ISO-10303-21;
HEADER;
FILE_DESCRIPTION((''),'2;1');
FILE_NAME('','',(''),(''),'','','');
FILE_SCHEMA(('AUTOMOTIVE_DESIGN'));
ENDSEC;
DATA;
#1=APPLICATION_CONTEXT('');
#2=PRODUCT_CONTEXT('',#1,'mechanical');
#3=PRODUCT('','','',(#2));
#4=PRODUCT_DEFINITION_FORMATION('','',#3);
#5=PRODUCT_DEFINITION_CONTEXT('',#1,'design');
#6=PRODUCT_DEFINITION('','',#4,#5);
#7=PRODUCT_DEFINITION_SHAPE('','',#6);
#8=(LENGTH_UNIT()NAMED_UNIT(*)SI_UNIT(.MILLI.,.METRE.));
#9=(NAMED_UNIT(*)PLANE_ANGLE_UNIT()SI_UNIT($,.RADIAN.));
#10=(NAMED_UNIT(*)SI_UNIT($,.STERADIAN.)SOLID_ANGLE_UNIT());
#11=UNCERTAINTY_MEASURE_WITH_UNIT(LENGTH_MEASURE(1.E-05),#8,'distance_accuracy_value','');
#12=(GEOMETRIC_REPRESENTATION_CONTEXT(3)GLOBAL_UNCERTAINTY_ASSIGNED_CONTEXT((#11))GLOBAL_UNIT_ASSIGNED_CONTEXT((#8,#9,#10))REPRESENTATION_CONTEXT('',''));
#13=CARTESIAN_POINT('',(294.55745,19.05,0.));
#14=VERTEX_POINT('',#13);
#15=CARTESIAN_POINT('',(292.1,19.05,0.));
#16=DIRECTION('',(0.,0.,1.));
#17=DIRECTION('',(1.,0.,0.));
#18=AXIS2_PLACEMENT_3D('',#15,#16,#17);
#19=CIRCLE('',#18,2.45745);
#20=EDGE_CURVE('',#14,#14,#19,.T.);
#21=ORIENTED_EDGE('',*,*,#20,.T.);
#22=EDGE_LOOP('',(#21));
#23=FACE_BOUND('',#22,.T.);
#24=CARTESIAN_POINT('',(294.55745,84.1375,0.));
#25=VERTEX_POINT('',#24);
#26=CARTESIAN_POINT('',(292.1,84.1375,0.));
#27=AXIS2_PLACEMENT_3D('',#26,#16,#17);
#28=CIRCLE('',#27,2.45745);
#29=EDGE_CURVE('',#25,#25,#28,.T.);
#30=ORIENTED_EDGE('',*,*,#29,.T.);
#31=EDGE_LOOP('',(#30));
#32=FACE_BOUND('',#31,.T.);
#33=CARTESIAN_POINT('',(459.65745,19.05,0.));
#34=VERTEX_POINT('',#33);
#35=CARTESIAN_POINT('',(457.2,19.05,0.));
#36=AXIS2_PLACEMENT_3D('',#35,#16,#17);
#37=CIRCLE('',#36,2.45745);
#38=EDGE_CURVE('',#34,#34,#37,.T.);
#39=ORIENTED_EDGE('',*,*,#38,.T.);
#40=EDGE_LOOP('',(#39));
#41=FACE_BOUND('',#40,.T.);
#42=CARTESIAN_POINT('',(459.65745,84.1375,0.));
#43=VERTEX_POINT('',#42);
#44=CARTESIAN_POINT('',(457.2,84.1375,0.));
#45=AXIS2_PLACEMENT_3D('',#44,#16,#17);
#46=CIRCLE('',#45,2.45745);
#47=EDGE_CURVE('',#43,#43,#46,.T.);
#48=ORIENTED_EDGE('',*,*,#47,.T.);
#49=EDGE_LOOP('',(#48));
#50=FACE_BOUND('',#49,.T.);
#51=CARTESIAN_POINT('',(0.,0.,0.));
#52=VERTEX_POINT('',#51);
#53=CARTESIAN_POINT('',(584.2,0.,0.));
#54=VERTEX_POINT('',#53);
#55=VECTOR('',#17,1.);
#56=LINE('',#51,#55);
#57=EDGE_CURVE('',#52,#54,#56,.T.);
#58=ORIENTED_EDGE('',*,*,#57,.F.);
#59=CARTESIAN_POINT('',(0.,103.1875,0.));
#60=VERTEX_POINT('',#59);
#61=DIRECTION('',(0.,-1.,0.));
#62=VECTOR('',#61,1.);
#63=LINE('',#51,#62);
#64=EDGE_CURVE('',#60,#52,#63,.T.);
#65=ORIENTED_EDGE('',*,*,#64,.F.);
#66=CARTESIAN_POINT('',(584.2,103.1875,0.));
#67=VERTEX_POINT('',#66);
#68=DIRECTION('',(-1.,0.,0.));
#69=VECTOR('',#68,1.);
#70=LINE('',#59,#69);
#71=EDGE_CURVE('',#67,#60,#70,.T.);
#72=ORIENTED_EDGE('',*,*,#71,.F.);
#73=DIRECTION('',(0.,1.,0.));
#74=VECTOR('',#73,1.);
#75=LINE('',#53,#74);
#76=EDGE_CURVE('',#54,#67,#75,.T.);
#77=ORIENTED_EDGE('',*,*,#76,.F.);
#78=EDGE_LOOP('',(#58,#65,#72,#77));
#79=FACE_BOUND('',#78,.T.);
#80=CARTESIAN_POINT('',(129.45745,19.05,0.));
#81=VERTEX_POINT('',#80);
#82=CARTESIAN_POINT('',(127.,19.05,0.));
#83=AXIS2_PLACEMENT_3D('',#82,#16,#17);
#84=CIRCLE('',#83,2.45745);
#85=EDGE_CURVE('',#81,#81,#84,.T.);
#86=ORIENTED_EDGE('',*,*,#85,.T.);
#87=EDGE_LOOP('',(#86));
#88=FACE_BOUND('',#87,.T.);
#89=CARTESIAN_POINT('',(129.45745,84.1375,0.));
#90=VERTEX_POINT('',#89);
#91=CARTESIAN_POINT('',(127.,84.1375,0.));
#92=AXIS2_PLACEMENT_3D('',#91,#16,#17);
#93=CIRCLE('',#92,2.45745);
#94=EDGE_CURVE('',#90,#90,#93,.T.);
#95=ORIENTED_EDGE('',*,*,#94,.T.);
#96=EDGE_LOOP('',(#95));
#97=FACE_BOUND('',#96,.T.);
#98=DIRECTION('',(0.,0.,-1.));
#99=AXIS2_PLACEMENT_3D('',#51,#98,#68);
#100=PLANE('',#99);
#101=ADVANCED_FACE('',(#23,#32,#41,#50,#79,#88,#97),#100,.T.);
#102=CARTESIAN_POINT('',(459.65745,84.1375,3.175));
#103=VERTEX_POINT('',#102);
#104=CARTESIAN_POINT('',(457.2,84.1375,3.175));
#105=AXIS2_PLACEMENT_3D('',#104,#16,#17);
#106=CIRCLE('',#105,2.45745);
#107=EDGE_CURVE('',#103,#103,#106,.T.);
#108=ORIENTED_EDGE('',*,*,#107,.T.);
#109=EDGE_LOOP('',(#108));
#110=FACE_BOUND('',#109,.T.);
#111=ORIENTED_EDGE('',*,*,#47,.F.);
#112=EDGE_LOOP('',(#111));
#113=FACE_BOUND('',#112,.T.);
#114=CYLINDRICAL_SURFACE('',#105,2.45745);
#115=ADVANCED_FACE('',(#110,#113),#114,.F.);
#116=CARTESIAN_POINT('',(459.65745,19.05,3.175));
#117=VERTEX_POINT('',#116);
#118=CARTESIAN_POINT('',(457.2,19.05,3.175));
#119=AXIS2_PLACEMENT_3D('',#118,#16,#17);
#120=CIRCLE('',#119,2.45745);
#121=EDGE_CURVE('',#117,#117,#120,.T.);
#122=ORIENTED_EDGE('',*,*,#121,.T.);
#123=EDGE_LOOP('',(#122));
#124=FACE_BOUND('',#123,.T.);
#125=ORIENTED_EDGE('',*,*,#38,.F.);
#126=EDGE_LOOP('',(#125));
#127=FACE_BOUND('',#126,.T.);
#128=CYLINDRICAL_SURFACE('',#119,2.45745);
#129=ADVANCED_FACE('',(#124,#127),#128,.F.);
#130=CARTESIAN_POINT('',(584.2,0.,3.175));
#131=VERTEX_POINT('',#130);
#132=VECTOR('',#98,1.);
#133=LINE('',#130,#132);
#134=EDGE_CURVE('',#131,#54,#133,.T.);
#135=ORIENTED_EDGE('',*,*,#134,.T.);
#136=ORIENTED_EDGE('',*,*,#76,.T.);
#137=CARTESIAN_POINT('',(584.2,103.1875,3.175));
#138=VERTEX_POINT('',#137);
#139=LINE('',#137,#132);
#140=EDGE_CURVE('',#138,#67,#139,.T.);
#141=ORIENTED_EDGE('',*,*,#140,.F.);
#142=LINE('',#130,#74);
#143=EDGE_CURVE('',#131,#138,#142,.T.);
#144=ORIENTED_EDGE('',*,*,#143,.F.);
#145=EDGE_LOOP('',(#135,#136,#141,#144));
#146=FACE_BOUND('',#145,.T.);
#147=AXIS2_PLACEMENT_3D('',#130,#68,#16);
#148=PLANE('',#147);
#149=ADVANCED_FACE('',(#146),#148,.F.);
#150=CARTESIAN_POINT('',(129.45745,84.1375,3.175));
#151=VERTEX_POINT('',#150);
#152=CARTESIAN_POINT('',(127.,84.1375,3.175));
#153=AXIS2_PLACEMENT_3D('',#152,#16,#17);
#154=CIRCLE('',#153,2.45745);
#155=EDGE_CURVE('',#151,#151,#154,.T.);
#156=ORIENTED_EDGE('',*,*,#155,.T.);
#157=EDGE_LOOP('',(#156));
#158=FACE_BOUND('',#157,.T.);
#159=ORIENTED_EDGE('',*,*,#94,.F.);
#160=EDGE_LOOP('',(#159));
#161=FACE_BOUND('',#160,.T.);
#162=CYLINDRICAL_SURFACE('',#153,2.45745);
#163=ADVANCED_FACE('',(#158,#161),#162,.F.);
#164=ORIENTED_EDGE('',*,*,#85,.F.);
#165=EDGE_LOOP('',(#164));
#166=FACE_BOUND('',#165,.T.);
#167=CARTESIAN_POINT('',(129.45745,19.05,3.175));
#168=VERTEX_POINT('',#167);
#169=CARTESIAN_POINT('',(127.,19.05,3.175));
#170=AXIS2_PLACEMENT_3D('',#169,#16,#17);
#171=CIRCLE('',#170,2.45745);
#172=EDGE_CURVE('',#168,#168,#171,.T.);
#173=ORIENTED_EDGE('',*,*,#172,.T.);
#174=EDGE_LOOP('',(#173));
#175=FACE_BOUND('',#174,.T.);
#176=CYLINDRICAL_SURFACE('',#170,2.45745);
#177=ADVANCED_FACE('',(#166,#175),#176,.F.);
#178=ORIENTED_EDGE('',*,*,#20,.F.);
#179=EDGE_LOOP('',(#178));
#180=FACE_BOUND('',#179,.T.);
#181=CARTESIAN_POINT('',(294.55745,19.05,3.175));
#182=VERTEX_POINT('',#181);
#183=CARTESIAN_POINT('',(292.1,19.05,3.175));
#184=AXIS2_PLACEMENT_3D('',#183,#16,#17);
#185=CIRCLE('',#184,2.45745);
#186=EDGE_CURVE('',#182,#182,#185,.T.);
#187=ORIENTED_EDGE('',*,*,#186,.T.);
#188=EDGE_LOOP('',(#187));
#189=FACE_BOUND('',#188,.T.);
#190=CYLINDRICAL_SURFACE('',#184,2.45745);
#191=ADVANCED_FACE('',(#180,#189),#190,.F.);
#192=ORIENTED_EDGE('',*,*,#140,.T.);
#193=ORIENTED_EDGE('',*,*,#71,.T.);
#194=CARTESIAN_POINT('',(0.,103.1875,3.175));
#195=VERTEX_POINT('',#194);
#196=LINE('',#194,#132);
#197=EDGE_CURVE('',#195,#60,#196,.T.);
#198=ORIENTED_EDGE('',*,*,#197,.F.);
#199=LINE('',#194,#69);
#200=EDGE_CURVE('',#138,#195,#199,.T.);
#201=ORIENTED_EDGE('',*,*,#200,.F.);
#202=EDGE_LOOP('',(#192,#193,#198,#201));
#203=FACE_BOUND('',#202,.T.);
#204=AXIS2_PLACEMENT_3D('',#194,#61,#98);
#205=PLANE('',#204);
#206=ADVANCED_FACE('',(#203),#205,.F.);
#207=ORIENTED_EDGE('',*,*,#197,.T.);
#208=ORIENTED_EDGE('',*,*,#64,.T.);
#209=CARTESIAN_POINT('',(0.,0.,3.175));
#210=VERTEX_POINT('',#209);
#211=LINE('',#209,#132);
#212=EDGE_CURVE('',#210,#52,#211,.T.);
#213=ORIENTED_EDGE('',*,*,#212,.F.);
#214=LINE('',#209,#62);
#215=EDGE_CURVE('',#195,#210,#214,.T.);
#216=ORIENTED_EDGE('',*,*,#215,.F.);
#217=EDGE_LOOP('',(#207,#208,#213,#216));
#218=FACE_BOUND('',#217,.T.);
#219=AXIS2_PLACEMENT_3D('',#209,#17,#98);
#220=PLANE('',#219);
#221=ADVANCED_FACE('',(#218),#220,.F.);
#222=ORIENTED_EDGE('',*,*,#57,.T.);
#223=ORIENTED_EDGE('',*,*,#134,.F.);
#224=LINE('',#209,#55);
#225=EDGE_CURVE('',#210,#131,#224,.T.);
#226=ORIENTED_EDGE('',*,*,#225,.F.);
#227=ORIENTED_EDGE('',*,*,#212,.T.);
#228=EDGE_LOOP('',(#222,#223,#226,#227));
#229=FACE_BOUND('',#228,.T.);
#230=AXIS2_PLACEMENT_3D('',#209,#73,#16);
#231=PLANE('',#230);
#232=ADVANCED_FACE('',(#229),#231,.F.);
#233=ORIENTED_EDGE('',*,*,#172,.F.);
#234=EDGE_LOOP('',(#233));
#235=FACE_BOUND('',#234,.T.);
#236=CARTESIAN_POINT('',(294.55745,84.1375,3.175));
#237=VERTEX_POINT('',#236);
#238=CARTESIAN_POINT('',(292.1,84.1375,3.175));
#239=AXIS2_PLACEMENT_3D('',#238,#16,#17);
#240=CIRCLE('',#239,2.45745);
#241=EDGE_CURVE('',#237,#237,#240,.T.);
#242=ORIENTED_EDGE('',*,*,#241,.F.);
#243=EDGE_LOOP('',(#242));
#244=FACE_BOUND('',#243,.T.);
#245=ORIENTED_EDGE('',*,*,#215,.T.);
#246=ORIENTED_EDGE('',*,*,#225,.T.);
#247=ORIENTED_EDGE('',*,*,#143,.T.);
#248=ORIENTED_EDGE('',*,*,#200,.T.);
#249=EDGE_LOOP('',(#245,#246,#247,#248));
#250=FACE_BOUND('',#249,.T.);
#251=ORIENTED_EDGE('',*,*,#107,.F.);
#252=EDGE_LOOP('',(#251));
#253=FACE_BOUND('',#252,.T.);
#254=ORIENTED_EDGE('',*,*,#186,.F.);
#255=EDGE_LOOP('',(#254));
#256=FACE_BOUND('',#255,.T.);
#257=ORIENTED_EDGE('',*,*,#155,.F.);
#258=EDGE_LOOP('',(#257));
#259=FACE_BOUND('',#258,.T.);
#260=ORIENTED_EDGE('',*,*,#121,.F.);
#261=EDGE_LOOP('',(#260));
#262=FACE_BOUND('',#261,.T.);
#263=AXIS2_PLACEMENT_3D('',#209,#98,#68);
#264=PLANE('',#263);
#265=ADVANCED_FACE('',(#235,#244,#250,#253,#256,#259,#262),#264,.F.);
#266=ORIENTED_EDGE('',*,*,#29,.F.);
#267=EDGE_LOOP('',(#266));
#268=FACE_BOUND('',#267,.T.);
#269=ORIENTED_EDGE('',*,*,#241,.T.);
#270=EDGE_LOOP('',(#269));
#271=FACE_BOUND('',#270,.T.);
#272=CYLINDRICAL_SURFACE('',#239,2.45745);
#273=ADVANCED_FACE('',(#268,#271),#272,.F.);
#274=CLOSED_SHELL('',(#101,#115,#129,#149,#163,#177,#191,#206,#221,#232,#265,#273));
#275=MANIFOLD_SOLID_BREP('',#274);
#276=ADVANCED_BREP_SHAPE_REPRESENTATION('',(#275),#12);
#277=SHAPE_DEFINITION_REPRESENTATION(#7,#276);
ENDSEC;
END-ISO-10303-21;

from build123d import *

# Parameters (mm, degrees)
SKETCH2_W                    = 584.2
SKETCH2_H                    = 103.1875
BOSS_EXTRUDE1_DEPTH          = 3.175
F_10_0_1935_DIAMETER_HOLE1_D = 4.9149


with BuildPart() as part:
    # Sketch2 → Boss-Extrude1 (new body)
    with BuildSketch(Plane.XY):
        with Locations((292.1, 51.59375)):
            Rectangle(SKETCH2_W, SKETCH2_H)
    extrude(amount=BOSS_EXTRUDE1_DEPTH)

    # #10 (0.1935) Diameter Hole1 (through all)
    with Locations(Plane.XY.offset(3.175)):
        with Locations((127, 84.1375), (292.1, 84.1375), (457.2, 84.1375)):
            f_10_0_1935_diameter_hole1 = Hole(F_10_0_1935_DIAMETER_HOLE1_D / 2)

    # Mirror1: #10 (0.1935) Diameter Hole1 across plane
    add(f_10_0_1935_diameter_hole1.mirror(Plane.ZX.offset(51.59375)), mode=Mode.SUBTRACT)


solid = part.part
